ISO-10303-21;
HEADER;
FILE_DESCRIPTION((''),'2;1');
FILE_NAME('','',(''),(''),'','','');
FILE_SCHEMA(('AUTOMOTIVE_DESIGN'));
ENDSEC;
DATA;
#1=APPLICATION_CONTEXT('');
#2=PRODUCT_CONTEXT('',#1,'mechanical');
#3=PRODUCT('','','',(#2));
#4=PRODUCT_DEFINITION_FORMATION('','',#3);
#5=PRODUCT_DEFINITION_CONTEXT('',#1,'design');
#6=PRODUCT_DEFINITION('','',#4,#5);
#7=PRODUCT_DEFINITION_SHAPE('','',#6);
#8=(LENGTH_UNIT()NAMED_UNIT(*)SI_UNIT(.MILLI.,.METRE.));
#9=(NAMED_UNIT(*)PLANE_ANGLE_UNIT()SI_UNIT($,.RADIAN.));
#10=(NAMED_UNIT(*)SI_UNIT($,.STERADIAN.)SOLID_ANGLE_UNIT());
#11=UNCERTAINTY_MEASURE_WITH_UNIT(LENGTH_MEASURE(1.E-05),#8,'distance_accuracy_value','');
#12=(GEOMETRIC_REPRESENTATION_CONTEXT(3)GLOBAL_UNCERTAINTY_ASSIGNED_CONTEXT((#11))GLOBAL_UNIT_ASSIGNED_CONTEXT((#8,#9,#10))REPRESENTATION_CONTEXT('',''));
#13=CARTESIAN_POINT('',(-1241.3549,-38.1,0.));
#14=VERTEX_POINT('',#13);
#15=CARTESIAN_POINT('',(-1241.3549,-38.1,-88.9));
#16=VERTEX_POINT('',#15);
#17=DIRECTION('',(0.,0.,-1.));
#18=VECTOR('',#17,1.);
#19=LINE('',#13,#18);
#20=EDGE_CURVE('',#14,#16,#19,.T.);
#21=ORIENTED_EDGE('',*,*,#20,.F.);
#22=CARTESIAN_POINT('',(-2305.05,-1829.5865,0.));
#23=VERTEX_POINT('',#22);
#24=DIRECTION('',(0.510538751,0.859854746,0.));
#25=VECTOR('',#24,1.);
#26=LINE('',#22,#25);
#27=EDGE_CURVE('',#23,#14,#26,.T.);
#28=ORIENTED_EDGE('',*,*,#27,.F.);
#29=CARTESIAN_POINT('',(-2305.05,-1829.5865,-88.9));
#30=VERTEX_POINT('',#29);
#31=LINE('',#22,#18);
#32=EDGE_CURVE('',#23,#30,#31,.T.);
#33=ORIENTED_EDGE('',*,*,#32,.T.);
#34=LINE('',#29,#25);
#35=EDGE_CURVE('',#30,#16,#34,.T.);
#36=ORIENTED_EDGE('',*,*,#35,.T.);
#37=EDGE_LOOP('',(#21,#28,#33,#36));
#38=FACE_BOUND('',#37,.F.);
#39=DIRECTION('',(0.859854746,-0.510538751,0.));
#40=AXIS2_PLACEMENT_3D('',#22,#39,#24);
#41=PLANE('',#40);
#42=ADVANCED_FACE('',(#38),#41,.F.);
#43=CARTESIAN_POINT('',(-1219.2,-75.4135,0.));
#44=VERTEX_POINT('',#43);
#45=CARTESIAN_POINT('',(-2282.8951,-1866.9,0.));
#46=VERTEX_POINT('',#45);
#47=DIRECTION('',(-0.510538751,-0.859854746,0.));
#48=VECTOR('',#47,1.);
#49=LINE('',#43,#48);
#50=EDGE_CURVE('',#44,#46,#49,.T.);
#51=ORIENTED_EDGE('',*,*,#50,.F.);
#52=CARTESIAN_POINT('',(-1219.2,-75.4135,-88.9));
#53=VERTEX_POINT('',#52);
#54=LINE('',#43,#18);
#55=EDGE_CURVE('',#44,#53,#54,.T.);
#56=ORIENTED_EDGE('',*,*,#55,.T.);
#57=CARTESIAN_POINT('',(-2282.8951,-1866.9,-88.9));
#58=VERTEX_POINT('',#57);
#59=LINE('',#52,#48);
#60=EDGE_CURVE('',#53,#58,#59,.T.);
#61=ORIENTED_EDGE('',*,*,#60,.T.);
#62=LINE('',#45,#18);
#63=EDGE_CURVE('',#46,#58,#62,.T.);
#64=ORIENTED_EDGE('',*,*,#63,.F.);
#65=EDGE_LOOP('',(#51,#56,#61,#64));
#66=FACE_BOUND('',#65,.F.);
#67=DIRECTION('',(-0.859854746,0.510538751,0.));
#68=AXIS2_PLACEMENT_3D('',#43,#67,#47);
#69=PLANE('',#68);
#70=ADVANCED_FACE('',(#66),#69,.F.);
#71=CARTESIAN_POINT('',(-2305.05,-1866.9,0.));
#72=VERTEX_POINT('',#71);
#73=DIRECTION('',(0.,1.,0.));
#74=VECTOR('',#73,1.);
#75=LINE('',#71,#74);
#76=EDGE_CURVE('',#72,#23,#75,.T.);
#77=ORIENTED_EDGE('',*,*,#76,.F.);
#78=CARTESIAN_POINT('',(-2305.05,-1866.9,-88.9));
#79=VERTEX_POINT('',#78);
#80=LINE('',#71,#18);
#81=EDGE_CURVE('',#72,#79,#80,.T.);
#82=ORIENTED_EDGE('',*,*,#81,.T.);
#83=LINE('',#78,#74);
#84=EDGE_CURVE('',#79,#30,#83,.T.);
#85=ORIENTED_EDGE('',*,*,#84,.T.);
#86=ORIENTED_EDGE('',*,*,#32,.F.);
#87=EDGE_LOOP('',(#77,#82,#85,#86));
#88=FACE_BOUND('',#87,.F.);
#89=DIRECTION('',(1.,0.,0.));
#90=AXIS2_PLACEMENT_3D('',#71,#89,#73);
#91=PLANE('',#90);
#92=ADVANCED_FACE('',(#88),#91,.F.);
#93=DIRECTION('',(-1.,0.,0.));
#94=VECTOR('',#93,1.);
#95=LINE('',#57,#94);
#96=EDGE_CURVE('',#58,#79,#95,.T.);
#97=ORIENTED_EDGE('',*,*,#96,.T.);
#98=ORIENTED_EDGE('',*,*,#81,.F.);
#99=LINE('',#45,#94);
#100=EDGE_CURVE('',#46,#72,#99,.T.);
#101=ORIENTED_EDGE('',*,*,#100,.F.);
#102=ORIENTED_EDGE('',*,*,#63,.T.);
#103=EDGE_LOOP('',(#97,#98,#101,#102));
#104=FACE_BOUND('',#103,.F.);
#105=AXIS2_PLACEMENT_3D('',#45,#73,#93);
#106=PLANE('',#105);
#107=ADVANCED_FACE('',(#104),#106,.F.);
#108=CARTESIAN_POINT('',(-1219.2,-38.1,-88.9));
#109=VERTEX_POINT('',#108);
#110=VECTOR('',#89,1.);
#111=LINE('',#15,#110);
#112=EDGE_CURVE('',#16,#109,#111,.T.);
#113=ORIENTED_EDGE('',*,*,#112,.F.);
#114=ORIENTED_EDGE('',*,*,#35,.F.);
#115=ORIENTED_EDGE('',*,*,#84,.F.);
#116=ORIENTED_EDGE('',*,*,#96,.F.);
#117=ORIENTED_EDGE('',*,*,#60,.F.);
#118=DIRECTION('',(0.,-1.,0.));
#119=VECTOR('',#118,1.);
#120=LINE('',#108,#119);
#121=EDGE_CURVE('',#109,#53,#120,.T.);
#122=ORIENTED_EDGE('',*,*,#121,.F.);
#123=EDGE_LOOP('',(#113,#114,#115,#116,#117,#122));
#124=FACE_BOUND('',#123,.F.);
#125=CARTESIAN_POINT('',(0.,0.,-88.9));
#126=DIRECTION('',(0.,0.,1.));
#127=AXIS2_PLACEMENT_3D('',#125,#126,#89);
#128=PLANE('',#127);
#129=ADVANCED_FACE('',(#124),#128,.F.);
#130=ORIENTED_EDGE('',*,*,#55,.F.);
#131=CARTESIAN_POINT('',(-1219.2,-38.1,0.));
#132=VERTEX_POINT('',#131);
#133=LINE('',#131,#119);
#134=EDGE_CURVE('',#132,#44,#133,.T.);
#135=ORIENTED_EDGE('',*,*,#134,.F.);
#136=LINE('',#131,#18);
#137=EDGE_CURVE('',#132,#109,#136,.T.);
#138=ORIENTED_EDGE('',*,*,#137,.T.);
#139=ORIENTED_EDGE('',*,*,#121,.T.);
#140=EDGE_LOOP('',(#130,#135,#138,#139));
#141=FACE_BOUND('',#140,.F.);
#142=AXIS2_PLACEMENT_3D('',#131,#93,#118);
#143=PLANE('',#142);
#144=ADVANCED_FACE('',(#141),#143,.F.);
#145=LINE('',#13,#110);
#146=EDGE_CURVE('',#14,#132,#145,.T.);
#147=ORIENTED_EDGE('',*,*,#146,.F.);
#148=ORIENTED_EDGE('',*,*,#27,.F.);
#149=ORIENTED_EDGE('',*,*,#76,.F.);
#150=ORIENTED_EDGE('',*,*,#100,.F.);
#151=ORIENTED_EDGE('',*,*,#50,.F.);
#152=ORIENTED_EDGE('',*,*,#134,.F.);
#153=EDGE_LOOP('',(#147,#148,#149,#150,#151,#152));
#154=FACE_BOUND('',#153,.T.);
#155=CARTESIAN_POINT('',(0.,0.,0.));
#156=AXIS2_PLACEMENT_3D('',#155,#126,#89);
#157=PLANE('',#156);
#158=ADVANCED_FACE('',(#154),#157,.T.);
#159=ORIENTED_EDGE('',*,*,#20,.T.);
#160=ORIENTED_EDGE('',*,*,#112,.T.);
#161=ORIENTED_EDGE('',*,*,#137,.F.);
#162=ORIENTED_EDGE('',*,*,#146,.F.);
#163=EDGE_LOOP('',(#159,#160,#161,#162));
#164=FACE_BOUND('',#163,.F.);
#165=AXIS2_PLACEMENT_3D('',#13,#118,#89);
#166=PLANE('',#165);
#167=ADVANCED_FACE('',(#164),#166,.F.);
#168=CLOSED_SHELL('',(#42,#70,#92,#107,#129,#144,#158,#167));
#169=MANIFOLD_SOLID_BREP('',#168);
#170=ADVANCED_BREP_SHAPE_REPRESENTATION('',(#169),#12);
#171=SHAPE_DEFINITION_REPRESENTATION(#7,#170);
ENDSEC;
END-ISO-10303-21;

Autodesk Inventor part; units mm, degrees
ref_plane "YZ Plane" through (0, 0, 0) normal (1, 0, 0) x (0, 1, 0)
ref_plane "XZ Plane" through (0, 0, 0) normal (0, 1, 0) x (-1, 0, 0)
ref_plane "Work Plane1" through (0, 0, 0) normal (0, 0, 1) x (1, 0, 0)
sketch "Sketch1" plane through (0, 0, 0) normal (0, 0, 1) x (1, 0, 0)
  line L0 (-1241.3549, -38.1) -> (-1219.2, -38.1)
  line L1 (-1219.2, -38.1) -> (-1219.2, -75.4135)
  line L2 (-1219.2, -75.4135) -> (-2282.8951, -1866.9)
  line L3 (-2282.8951, -1866.9) -> (-2305.05, -1866.9)
  line L4 (-2305.05, -1866.9) -> (-2305.05, -1829.5865)
  line L5 (-2305.05, -1829.5865) -> (-1241.3549, -38.1)
  point P0 (0, 0)
extrude "Extrusion1" add sketch "Sketch1" against normal blind 88.9
properties part number "S_2x4x83.735"
